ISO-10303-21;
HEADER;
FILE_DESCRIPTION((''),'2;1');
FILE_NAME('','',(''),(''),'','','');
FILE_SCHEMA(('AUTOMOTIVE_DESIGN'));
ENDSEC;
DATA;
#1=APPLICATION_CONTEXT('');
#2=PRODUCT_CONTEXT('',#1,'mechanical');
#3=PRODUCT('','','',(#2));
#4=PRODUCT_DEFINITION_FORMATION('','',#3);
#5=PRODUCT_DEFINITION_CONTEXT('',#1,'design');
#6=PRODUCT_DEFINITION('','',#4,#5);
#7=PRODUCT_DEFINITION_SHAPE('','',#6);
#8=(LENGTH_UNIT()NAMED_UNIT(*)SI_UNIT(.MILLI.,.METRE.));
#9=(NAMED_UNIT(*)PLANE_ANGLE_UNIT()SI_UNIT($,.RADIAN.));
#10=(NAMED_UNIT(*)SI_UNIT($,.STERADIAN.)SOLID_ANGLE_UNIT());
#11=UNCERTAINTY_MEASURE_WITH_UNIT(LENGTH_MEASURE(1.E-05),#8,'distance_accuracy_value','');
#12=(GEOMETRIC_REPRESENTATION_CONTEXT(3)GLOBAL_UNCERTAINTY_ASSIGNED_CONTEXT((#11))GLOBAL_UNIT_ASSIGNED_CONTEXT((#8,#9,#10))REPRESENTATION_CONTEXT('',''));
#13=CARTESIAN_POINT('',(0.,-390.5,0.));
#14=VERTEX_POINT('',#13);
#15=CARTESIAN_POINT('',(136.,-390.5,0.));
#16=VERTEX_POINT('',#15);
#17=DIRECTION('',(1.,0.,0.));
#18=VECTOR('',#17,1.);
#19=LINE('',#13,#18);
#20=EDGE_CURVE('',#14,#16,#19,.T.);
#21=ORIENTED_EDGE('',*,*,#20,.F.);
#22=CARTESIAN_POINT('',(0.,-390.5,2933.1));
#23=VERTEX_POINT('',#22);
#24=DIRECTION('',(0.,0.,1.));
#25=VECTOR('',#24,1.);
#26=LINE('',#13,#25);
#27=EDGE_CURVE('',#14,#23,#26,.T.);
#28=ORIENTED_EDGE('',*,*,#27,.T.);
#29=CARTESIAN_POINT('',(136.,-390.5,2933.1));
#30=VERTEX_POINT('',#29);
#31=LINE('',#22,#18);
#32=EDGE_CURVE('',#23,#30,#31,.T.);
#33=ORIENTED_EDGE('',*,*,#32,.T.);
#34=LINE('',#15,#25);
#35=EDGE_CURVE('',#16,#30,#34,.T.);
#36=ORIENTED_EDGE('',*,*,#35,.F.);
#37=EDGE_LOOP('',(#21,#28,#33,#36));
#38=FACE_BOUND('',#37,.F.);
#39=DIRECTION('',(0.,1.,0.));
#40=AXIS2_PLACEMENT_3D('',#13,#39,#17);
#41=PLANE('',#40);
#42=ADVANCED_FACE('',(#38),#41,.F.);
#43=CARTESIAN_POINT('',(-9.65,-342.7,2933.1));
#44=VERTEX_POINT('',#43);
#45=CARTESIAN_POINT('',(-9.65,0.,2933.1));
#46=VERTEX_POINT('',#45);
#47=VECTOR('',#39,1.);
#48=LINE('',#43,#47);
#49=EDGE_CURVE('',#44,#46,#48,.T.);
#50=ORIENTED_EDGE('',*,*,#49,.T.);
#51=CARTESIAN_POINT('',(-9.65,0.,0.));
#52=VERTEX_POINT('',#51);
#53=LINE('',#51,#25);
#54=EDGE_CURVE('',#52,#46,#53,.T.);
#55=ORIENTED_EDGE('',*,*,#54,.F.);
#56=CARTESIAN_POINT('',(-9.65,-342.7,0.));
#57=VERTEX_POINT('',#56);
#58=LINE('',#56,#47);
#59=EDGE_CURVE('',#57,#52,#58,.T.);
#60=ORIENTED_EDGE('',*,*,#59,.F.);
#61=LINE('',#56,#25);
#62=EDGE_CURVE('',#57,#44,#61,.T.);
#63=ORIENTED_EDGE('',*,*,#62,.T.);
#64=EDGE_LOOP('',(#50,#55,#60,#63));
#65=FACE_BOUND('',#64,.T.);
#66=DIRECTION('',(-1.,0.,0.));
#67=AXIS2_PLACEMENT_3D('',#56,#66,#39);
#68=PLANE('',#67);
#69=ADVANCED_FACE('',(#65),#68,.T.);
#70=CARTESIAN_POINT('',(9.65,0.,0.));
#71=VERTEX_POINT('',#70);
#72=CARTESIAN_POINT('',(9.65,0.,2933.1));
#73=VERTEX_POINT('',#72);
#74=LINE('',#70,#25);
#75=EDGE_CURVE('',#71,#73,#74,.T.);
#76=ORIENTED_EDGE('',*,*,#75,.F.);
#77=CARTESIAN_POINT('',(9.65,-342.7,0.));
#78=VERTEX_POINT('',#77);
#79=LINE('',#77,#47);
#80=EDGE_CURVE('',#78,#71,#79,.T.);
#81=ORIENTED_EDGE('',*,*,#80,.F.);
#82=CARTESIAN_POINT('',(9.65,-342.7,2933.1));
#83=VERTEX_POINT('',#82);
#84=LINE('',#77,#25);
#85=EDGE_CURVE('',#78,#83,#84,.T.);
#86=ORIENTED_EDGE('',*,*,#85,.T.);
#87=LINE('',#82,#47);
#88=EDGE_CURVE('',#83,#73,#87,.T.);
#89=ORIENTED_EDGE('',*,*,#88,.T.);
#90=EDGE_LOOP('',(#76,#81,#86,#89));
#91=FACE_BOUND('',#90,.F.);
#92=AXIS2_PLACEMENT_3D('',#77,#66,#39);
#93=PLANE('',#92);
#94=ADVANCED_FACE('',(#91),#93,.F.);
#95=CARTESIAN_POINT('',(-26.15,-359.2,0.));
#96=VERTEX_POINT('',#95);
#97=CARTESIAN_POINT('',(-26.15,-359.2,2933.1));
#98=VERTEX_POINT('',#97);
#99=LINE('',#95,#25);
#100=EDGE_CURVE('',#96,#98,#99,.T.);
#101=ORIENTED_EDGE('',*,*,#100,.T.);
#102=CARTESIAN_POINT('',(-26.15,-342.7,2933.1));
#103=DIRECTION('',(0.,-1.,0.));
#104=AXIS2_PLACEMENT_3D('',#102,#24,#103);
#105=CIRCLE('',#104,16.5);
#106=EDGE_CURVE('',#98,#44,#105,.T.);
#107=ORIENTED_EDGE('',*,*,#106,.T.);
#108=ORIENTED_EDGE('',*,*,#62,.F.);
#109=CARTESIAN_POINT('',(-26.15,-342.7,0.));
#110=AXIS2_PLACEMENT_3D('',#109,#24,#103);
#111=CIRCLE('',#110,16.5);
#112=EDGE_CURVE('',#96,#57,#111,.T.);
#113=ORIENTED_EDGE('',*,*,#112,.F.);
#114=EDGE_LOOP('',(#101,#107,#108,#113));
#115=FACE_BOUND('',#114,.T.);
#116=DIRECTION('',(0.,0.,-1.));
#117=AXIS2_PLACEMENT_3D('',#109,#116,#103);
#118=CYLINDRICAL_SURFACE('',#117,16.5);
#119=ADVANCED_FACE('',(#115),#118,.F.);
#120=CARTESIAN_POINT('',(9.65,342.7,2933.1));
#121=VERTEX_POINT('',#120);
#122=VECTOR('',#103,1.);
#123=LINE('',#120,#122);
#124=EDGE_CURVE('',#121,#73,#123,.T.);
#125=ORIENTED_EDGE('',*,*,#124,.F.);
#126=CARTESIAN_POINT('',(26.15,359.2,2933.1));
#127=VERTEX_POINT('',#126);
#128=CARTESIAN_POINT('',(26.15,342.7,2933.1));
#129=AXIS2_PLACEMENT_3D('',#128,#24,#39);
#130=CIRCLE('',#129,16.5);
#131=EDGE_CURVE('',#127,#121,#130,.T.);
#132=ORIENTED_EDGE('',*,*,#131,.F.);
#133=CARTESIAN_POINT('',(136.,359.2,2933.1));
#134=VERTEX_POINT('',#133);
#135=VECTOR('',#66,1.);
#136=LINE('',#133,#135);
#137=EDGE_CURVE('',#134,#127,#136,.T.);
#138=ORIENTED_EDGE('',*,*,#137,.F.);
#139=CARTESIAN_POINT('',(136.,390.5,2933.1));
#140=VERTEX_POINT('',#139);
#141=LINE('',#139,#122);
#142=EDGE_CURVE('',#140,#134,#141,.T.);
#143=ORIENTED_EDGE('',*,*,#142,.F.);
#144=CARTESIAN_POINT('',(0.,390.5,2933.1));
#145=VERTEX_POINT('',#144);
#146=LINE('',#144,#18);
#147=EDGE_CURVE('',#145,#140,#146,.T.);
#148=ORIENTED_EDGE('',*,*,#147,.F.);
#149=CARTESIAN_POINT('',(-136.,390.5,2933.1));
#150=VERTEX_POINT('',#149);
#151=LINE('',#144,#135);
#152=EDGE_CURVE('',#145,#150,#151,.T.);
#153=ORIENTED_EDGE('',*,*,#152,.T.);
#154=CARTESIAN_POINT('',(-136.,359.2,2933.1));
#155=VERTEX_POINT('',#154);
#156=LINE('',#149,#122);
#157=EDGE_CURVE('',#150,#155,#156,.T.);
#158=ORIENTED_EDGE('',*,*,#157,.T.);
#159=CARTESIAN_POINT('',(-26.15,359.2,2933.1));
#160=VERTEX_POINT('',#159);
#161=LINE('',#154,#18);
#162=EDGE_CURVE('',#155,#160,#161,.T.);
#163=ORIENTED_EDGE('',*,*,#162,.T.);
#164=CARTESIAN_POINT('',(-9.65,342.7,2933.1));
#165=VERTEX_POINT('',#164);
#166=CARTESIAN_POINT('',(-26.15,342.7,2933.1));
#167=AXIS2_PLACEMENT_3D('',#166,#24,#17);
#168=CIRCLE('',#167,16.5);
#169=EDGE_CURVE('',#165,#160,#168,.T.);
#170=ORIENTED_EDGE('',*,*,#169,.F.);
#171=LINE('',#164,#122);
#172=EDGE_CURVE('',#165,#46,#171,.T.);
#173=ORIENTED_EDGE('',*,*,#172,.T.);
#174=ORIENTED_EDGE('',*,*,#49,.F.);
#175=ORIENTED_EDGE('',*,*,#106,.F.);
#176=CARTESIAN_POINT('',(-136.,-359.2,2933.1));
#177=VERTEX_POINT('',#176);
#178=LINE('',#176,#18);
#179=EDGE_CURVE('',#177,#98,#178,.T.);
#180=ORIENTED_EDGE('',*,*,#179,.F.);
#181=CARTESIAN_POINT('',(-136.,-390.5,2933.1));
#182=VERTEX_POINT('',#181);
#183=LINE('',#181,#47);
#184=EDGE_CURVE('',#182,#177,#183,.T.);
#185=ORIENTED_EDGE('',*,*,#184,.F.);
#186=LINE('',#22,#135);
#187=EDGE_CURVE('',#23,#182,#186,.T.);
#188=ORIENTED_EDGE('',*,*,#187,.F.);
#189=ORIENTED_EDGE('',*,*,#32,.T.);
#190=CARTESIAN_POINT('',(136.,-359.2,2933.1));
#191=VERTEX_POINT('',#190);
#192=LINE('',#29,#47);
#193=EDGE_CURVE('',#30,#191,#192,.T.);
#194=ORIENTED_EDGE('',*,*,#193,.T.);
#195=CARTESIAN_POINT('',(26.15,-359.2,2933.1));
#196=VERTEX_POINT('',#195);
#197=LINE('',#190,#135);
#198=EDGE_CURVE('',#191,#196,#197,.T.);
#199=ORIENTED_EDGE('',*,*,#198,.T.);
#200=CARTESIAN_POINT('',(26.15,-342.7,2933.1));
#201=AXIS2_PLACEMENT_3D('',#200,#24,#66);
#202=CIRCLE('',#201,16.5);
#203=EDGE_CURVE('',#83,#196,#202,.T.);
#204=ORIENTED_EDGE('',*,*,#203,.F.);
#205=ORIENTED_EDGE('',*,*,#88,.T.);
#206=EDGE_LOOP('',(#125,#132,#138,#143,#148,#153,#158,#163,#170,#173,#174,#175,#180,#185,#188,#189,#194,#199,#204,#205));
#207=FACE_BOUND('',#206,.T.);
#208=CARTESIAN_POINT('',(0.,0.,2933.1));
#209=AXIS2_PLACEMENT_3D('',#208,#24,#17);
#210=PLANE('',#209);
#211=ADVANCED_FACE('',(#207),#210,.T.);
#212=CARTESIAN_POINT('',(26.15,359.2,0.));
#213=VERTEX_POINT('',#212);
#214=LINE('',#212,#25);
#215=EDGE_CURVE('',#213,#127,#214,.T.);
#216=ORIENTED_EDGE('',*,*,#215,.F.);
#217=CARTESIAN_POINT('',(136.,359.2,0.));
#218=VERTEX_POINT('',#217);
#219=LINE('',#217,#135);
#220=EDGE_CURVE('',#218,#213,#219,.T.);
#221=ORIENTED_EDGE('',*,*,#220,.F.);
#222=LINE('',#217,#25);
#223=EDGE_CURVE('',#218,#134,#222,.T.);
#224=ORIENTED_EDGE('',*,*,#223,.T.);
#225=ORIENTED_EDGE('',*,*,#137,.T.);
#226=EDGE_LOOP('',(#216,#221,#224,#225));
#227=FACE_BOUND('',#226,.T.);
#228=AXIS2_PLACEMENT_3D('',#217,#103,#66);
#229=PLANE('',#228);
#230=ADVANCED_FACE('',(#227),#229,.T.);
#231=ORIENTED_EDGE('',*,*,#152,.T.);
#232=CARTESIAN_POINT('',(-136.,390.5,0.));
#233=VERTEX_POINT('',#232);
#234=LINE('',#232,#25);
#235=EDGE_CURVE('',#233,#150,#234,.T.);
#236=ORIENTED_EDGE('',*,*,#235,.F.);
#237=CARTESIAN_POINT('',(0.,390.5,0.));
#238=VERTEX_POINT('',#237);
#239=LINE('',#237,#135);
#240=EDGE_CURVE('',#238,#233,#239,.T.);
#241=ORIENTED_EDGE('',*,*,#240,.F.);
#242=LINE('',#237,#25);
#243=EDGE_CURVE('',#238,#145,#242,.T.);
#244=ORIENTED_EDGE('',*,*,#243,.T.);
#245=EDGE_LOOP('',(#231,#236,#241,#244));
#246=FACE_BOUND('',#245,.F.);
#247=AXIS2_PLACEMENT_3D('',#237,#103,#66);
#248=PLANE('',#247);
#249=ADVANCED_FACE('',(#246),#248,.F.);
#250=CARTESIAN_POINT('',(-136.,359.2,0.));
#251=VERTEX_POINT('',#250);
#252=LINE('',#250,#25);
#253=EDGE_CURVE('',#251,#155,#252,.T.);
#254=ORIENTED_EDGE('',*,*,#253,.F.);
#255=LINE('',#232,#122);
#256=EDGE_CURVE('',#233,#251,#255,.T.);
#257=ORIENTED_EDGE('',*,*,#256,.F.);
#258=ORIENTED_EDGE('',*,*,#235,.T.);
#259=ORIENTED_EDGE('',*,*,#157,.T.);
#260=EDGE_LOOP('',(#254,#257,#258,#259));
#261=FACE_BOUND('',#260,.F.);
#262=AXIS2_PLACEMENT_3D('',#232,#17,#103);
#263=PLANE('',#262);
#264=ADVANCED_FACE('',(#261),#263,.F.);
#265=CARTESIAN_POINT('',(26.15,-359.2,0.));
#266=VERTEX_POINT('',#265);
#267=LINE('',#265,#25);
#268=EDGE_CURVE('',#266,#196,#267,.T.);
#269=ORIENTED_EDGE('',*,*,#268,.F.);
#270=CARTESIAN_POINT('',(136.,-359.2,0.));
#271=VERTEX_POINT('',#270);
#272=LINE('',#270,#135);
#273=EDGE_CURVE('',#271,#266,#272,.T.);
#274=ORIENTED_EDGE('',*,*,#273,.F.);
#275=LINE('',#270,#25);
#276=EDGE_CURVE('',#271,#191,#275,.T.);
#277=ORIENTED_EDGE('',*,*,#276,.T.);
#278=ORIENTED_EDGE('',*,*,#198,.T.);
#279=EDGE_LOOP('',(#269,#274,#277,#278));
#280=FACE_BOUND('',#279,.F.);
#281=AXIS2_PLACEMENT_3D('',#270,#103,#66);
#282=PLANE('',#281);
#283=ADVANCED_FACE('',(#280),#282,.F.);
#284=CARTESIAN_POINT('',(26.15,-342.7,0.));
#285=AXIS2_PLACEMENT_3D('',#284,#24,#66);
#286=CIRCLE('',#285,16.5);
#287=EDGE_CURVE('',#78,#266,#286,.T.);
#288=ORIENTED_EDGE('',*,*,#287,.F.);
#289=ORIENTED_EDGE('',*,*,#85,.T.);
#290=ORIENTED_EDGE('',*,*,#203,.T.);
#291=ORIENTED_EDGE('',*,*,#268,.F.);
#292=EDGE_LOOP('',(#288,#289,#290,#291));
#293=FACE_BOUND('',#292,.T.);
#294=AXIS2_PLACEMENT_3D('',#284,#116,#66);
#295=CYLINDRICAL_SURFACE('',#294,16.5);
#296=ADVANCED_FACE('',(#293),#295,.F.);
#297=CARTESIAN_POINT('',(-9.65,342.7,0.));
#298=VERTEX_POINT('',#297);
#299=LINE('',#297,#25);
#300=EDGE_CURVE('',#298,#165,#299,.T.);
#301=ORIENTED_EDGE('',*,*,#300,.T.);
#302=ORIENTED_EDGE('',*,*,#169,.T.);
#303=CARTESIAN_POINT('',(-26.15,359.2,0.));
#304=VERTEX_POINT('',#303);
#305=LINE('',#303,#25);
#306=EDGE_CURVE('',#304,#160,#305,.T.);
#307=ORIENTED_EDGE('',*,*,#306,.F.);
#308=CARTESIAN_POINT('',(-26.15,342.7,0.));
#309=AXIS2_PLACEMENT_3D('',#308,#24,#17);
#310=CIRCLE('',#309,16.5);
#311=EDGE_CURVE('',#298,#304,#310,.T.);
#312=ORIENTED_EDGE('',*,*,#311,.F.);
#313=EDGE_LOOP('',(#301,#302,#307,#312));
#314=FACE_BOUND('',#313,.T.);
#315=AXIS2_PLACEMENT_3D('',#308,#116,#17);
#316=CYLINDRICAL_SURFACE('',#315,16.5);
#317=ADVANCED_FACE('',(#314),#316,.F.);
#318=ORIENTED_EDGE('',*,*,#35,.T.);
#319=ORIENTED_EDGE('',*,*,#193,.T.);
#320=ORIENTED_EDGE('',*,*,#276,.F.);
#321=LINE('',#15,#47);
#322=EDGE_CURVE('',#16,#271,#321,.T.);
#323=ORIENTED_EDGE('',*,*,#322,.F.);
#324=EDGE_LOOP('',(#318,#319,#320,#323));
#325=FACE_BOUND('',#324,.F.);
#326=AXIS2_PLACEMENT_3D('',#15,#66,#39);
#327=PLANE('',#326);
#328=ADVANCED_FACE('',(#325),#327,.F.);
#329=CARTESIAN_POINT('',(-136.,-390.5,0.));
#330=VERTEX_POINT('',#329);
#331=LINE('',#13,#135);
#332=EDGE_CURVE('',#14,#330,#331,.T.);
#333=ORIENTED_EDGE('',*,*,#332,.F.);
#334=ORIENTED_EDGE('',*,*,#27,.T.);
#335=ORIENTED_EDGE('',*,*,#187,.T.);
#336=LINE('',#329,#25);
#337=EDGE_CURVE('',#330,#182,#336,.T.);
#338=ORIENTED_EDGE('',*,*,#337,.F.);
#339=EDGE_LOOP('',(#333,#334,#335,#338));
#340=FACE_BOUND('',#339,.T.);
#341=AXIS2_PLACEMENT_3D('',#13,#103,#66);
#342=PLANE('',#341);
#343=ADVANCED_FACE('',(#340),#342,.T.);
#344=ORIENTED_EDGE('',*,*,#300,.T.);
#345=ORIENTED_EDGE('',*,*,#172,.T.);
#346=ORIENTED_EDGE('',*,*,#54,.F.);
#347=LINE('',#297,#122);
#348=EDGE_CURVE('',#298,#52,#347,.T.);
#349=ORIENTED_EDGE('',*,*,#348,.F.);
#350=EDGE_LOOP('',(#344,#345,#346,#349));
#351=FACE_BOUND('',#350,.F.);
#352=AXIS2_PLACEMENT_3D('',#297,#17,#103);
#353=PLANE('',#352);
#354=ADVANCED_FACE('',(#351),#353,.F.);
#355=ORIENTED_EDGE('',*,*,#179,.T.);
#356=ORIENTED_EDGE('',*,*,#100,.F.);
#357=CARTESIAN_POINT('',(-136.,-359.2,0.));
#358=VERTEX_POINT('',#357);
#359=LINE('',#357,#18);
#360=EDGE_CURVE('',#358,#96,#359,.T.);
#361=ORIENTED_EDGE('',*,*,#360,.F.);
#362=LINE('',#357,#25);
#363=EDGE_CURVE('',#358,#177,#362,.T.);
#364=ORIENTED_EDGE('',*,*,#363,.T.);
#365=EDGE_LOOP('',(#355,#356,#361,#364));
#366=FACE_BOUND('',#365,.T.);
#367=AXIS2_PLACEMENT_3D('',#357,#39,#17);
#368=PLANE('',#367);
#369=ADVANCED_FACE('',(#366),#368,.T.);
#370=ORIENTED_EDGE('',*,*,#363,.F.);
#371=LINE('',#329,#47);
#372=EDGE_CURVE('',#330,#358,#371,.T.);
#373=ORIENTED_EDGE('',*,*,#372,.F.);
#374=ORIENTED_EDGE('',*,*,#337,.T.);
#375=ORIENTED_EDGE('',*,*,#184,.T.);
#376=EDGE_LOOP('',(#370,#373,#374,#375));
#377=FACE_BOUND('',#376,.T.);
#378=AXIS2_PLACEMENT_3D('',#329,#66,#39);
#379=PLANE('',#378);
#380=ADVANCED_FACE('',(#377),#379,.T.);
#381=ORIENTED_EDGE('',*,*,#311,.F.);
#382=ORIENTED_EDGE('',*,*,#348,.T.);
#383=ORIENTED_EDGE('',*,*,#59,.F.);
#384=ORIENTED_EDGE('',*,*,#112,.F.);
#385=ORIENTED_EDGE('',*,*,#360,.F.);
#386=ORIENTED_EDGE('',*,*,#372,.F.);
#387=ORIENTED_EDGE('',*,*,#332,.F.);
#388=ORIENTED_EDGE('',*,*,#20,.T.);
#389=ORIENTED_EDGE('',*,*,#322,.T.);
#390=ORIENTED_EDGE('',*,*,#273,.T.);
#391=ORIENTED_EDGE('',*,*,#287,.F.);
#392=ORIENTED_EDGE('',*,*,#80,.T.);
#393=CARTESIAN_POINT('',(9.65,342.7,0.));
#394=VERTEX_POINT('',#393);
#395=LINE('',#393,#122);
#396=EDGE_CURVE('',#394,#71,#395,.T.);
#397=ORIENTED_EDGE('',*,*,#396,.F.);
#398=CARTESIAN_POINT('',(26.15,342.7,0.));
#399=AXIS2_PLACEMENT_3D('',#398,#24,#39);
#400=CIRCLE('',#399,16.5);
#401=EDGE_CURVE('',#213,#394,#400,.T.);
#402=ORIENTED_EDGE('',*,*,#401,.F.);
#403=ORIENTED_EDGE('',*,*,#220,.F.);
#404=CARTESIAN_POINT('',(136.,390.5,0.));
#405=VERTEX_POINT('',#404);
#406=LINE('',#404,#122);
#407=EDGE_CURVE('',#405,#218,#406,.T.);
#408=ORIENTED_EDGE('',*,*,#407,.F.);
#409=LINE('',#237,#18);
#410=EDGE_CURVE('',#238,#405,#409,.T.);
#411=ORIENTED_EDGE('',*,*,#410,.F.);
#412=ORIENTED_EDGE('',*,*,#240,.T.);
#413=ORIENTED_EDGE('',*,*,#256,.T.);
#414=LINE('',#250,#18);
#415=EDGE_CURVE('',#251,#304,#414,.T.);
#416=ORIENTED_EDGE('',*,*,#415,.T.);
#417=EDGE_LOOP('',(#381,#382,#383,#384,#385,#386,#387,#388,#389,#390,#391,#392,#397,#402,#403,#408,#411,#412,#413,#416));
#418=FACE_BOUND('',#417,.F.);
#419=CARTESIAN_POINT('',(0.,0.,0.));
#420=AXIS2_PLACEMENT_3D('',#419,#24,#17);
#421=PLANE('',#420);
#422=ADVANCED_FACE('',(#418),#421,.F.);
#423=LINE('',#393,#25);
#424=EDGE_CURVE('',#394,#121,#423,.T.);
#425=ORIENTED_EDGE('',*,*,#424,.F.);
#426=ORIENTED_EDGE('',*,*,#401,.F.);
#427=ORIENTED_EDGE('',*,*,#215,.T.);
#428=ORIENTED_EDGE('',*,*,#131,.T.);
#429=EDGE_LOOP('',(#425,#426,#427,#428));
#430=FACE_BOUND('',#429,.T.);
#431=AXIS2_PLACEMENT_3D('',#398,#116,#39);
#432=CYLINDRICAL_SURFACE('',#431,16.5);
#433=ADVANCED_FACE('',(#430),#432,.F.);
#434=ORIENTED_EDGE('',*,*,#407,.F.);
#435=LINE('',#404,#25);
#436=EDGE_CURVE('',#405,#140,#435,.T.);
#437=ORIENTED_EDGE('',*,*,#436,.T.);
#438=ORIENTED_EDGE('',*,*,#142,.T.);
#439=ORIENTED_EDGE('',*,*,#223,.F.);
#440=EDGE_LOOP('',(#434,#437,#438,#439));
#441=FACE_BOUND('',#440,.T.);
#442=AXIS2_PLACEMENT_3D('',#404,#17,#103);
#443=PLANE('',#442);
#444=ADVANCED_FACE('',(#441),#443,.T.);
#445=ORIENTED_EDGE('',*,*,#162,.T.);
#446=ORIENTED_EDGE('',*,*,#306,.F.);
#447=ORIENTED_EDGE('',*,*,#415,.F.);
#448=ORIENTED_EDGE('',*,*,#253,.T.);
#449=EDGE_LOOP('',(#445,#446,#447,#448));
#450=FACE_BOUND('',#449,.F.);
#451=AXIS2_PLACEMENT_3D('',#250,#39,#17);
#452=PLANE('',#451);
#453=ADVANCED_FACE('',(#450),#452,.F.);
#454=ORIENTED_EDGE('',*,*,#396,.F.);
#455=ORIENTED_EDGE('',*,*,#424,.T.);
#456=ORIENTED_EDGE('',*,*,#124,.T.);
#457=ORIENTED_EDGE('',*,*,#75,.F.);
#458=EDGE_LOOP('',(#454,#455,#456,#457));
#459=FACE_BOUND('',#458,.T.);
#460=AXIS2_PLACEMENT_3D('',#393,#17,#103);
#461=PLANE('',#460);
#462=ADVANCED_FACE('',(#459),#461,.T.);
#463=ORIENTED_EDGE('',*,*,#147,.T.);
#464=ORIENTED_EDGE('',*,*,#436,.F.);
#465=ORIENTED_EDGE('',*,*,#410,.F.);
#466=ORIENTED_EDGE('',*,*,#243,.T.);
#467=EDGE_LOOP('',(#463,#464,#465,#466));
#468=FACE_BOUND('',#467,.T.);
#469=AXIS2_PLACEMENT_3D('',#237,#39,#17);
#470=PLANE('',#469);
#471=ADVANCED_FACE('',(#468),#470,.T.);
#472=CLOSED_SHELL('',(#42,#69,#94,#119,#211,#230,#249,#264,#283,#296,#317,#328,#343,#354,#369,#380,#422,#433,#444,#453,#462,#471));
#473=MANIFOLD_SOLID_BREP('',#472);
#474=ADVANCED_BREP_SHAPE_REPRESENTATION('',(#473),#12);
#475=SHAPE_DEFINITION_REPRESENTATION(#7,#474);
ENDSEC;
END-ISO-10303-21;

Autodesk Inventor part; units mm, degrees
ref_plane "YZ Plane" through (0, 0, 0) normal (1, 0, 0) x (0, 1, 0)
ref_plane "Start plane" through (0, 0, 0) normal (0, 0, 1) x (1, 0, 0)
ref_plane "End plane" through (0, 0, 2933.1) normal (0, 0, 1) x (1, 0, 0)
sketch "Sketch" plane through (0, 0, 0) normal (0, 0, 1) x (1, 0, 0)
  line L0 (-136, -390.5) -> (-136, -359.2)
  line L1 (-136, -359.2) -> (-26.15, -359.2)
  line L2 (-9.65, -342.7) -> (-9.65, 0)
  line L3 (-9.65, 0) -> (0, 0) construction
  line L4 (0, 0) -> (0, -390.5) construction
  line L5 (0, -390.5) -> (-136, -390.5)
  line L6 (-60, 0) -> (80, 0) construction
  line L7 (0, -60) -> (0, 80) construction
  line L8 (136, -390.5) -> (136, -359.2)
  line L9 (136, -359.2) -> (26.15, -359.2)
  line L10 (9.65, -342.7) -> (9.65, 0)
  line L11 (9.65, 0) -> (0, 0) construction
  line L12 (0, -390.5) -> (136, -390.5)
  line L13 (-136, 390.5) -> (-136, 359.2)
  line L14 (-136, 359.2) -> (-26.15, 359.2)
  line L15 (-9.65, 342.7) -> (-9.65, 0)
  line L16 (0, 390.5) -> (-136, 390.5)
  line L17 (136, 390.5) -> (136, 359.2)
  line L18 (136, 359.2) -> (26.15, 359.2)
  line L19 (0, 390.5) -> (136, 390.5)
  line L20 (9.65, 342.7) -> (9.65, 0)
  arc A0 (-9.65, 342.7) -> (-26.15, 359.2) centre (-26.15, 342.7) ccw
  arc A1 (26.15, 359.2) -> (9.65, 342.7) centre (26.15, 342.7) ccw
  arc A2 (9.65, -342.7) -> (26.15, -359.2) centre (26.15, -342.7) ccw
  arc A3 (-26.15, -359.2) -> (-9.65, -342.7) centre (-26.15, -342.7) ccw
  line L21 (0, 108) -> (0, -88) construction
  line L22 (-88, 0) -> (108, 0) construction
  point P0 (-9.65, -359.2)
  point P1 (9.65, -359.2)
  point P2 (-9.65, 359.2)
  point P3 (9.65, 359.2)
  dimension "d1" = 390.5
  dimension "d2" = 31.3
  dimension "d3" = 136
  dimension "d4" = 9.65
  dimension "d10" = 16.5
extrude "Body" add sketch "Sketch" along normal up to surface (2933.1 mm away) from surface at 0
sketch "Sketch4" plane through (0, 0, 0) normal (0, 0, 1) x (1, 0, 0)
  line L0 (0, 0) -> (10, 0)
ref_plane "Work Plane3" through (0, 0, 0) normal (0, -1, 0) x (1, 0, 0)
sketch "Sketch5" plane through (0, 0, 0) normal (0, -1, 0) x (1, 0, 0)
  line L0 (-2, 0) -> (12, 0) projected
  line L1 (-2, 2933.1) -> (12, 2933.1) projected
  dimension "d14" = 2933.1
equation "\"d1\" = 0.5 * G_H"
equation "\"d2\" = G_T1"
equation "\"d3\" = 0.5 * G_W"
equation "\"d4\" = 0.5 * G_T"
equation "\"d10\" = G_IR"
equation "\"d5\" = G_L"
equation "\"G_W\" = 272"
equation "\"G_H\" = 781"
equation "\"G_T\" = 19.3"
equation "\"G_T1\" = 31.3"
equation "\"G_IR\" = 16.5"
equation "\"G_L\" = d14"
equation "\"G_OFFSET_START\" = 0"
equation "\"G_OFFSET_END\" = 0"
equation "\"d12\" = G_OFFSET_END + B_L"
equation "\"B_L\" = 2933.1"
properties part number "AS 3679-1990 - 760 UB - 244 - 2933.1" material "Steel, Mild"
